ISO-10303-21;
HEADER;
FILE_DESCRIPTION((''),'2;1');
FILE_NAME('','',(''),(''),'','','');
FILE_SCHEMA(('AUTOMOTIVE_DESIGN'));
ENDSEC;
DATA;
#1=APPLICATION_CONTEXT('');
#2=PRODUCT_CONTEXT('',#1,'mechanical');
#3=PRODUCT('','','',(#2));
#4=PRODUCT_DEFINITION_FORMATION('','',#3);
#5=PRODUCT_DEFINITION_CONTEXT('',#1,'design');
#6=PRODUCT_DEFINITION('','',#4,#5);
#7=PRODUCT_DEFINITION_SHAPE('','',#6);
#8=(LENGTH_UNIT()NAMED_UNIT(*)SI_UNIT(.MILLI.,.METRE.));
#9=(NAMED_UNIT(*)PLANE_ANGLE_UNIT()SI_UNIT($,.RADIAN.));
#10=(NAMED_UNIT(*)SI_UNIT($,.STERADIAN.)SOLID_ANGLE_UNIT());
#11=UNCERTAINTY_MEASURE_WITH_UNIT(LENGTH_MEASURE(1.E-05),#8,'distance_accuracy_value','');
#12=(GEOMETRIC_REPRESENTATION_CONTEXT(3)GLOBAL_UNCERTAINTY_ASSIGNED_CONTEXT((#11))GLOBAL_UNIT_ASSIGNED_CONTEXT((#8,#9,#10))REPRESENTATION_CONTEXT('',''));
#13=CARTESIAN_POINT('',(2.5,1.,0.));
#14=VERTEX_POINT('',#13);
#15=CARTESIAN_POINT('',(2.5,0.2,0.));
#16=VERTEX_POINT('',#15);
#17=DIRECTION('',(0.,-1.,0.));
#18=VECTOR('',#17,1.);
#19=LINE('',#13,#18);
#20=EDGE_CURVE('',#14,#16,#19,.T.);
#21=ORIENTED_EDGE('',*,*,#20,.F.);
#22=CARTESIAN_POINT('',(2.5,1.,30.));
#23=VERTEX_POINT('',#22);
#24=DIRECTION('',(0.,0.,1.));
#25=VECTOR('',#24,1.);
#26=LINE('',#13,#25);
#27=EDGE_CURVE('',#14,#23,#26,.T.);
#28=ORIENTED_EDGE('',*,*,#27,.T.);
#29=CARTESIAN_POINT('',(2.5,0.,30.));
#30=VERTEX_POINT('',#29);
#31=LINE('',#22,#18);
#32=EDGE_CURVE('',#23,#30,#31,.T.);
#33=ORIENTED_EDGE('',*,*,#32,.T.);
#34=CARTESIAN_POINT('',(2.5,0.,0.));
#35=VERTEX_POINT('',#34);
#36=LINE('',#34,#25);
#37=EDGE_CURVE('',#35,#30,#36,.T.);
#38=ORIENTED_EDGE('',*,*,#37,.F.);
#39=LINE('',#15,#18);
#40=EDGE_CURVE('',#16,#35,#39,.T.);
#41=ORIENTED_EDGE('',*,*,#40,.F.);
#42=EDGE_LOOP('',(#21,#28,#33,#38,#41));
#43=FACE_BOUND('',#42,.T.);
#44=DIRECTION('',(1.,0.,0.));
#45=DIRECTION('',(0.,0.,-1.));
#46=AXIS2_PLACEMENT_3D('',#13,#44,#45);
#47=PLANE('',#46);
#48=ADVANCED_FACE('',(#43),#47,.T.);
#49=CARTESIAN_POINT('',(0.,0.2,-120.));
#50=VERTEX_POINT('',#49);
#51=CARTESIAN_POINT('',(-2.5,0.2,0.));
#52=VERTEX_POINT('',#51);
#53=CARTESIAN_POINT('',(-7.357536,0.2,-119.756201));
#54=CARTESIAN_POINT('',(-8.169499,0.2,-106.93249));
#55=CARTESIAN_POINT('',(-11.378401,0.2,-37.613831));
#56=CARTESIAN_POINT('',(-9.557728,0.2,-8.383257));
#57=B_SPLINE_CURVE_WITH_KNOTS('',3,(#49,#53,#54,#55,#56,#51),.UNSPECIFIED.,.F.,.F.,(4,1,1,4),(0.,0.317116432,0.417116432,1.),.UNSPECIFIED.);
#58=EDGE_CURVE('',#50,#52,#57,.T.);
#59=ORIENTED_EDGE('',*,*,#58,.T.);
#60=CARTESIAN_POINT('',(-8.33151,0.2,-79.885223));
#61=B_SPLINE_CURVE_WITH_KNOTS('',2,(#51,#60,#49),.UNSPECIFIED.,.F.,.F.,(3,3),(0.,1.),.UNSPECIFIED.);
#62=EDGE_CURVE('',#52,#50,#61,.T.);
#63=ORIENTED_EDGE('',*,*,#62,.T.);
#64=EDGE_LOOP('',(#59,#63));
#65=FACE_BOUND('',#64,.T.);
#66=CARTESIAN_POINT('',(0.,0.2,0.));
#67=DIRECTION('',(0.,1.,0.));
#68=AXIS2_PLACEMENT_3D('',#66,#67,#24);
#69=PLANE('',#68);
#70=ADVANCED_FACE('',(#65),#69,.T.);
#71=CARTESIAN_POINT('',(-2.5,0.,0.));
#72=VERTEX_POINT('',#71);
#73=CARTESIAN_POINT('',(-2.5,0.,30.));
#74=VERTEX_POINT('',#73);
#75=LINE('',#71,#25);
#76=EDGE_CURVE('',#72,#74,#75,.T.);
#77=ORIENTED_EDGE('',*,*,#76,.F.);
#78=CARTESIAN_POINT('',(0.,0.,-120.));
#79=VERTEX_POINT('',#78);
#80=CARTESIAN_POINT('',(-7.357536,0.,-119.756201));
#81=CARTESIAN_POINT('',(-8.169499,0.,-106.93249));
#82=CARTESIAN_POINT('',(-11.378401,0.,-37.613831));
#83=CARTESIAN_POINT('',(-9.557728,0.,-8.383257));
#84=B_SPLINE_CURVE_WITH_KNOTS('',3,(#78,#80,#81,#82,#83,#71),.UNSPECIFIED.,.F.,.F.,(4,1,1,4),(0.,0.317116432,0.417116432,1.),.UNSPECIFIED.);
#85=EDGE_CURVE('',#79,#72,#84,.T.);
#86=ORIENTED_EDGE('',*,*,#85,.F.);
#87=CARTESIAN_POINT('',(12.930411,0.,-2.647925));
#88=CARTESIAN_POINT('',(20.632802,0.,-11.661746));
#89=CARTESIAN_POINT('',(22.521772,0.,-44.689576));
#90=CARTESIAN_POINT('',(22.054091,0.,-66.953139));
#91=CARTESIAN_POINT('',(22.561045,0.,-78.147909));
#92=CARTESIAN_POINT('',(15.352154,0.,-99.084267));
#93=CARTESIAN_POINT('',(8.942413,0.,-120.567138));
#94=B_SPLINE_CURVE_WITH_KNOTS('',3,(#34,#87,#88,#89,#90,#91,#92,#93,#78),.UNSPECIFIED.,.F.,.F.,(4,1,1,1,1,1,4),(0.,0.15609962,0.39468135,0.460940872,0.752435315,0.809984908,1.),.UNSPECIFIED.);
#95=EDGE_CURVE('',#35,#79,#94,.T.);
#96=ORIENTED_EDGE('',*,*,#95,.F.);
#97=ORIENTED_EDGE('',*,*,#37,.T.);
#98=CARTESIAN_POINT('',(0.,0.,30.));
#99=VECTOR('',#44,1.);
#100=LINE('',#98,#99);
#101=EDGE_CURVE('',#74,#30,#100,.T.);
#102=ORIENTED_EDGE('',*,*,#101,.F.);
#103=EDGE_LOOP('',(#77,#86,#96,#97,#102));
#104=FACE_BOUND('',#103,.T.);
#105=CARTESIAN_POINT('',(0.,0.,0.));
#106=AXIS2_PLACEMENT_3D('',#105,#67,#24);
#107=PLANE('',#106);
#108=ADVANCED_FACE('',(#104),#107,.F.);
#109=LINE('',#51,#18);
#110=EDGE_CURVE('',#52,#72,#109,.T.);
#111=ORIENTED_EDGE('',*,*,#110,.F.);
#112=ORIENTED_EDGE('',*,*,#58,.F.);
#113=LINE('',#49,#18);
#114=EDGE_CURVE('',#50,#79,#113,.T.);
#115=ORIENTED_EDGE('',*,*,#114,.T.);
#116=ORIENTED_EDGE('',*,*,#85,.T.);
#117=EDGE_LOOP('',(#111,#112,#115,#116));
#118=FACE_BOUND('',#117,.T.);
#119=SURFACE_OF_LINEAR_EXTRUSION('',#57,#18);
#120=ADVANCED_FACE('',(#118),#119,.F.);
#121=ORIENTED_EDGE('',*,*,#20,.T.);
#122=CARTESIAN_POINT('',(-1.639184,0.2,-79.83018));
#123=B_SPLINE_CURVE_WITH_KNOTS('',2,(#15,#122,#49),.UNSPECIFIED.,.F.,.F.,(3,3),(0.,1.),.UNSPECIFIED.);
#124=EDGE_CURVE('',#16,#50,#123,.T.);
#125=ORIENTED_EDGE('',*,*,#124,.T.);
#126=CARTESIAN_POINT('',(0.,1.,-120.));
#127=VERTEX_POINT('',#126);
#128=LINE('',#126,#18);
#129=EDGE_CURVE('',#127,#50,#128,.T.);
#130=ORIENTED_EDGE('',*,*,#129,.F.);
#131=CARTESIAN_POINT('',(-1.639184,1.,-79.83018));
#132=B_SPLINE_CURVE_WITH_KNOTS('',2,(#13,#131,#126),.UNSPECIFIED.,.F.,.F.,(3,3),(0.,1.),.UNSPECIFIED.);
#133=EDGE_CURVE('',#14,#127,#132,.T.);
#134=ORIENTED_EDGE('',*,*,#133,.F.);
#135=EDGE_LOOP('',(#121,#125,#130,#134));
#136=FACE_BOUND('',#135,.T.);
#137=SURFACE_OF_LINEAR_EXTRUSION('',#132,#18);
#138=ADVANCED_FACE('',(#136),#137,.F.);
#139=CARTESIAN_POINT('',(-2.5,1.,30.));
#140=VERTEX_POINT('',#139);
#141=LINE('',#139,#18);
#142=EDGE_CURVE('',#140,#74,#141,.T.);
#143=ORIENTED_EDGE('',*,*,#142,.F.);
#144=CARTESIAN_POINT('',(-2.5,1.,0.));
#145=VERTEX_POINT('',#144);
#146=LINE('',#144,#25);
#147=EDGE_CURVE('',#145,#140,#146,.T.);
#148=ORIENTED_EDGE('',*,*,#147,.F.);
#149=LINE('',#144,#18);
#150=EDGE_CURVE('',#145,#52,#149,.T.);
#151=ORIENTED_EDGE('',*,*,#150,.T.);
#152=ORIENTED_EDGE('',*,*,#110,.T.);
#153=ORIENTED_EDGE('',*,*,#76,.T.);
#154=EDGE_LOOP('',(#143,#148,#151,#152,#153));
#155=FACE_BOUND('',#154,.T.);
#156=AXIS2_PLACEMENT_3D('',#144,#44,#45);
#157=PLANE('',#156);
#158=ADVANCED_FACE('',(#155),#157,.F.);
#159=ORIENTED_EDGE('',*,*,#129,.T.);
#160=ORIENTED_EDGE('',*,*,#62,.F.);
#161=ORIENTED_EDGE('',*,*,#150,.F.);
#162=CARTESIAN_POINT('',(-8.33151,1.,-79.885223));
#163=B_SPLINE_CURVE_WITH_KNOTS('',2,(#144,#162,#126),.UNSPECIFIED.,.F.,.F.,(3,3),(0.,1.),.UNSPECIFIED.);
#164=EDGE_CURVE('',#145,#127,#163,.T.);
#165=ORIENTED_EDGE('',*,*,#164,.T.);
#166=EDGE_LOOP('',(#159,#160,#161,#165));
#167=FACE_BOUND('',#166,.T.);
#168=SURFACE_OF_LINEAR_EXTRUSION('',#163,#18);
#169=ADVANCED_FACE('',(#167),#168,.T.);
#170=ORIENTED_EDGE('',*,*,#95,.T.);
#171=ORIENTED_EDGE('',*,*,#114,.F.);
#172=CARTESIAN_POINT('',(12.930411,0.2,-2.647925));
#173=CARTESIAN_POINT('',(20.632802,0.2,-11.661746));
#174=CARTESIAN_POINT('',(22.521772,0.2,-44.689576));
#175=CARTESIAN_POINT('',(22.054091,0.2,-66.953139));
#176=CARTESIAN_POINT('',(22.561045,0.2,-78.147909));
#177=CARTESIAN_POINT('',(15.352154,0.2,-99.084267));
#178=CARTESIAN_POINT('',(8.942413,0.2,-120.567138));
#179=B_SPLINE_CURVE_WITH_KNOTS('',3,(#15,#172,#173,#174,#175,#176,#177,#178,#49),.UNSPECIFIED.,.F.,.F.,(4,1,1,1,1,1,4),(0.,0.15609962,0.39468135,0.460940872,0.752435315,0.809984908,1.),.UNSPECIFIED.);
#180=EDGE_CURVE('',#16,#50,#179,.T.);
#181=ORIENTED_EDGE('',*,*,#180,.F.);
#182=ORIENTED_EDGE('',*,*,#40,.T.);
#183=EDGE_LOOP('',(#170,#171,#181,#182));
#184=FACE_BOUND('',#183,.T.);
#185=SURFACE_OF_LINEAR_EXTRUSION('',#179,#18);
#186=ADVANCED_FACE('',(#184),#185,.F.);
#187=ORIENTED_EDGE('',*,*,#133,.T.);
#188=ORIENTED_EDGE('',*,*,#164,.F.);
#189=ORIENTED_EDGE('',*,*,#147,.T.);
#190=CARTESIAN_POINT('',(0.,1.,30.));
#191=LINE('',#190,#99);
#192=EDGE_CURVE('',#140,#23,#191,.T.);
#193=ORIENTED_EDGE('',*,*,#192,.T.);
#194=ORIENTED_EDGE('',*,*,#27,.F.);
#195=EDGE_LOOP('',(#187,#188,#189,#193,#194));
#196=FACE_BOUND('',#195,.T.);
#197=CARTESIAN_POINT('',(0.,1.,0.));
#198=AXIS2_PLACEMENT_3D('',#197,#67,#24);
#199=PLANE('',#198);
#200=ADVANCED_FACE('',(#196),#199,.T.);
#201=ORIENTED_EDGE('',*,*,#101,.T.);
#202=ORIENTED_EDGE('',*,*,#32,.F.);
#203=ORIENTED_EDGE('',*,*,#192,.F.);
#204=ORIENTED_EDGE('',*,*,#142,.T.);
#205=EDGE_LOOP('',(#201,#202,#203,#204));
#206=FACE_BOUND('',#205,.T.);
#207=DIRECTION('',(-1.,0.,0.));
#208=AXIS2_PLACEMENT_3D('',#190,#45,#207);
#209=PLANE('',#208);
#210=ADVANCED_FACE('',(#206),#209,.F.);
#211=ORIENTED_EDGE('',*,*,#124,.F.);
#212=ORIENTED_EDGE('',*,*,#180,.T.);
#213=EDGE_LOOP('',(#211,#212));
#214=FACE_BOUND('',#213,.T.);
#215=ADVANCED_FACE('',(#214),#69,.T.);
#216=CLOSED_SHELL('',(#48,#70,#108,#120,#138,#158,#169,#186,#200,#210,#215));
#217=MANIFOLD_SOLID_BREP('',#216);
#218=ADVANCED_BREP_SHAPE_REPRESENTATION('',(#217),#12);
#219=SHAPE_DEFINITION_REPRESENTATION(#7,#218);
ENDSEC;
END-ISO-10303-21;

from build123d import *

# Parameters (mm, degrees)
BOSS_EXTRUDE1_DEPTH = 1
BOSS_EXTRUDE2_DEPTH = 0.2


with BuildPart() as part:
    # Sketch2 → Boss-Extrude1 (new body)
    with BuildSketch(Plane(origin=(0, 0, 0), x_dir=(1, 0, 0), z_dir=(0, 1, 0))):
        with BuildLine():
            add(Edge.make_bspline(
                [(-2.5, 0), (-8.331510312, 79.88522278), (0, 120)],
                knots=[0, 0, 0, 1, 1, 1], degree=2))
            Line((-2.5, 0), (-2.5, -30))
            Line((-2.5, -30), (2.5, -30))
            Line((2.5, -30), (2.5, 0))
            add(Edge.make_bspline(
                [(2.5, 0), (-1.639184348, 79.830180153), (0, 120)],
                knots=[0, 0, 0, 1, 1, 1], degree=2))
        make_face()
    extrude(amount=BOSS_EXTRUDE1_DEPTH)

    # Sketch2<4> → Boss-Extrude2 (add)
    with BuildSketch(Plane(origin=(0, 0, 0), x_dir=(1, 0, 0), z_dir=(0, 1, 0))):
        with BuildLine():
            add(Edge.make_bspline(
                [(0, 120), (-7.357536045, 119.756200735), (-8.169498702, 106.932489896), (-11.378400572, 37.613830712), (-9.557728223, 8.38325723), (-2.5, 0)],
                knots=[0, 0, 0, 0, 0.317116432, 0.417116432, 1, 1, 1, 1], degree=3))
            add(Edge.make_bspline(
                [(-2.5, 0), (-8.331510312, 79.88522278), (0, 120)],
                knots=[0, 0, 0, 1, 1, 1], degree=2))
        make_face()
        with BuildLine():
            add(Edge.make_bspline(
                [(2.5, 0), (12.9304115, 2.647924931), (20.632801908, 11.661745986), (22.521772468, 44.689576489), (22.054090643, 66.95313914), (22.561044514, 78.147908735), (15.352154478, 99.084267368), (8.942412889, 120.567138422), (0, 120)],
                knots=[0, 0, 0, 0, 0.15609962, 0.39468135, 0.460940872, 0.752435315, 0.809984908, 1, 1, 1, 1], degree=3))
            add(Edge.make_bspline(
                [(2.5, 0), (-1.639184348, 79.830180153), (0, 120)],
                knots=[0, 0, 0, 1, 1, 1], degree=2))
        make_face()
    extrude(amount=BOSS_EXTRUDE2_DEPTH)


solid = part.part
